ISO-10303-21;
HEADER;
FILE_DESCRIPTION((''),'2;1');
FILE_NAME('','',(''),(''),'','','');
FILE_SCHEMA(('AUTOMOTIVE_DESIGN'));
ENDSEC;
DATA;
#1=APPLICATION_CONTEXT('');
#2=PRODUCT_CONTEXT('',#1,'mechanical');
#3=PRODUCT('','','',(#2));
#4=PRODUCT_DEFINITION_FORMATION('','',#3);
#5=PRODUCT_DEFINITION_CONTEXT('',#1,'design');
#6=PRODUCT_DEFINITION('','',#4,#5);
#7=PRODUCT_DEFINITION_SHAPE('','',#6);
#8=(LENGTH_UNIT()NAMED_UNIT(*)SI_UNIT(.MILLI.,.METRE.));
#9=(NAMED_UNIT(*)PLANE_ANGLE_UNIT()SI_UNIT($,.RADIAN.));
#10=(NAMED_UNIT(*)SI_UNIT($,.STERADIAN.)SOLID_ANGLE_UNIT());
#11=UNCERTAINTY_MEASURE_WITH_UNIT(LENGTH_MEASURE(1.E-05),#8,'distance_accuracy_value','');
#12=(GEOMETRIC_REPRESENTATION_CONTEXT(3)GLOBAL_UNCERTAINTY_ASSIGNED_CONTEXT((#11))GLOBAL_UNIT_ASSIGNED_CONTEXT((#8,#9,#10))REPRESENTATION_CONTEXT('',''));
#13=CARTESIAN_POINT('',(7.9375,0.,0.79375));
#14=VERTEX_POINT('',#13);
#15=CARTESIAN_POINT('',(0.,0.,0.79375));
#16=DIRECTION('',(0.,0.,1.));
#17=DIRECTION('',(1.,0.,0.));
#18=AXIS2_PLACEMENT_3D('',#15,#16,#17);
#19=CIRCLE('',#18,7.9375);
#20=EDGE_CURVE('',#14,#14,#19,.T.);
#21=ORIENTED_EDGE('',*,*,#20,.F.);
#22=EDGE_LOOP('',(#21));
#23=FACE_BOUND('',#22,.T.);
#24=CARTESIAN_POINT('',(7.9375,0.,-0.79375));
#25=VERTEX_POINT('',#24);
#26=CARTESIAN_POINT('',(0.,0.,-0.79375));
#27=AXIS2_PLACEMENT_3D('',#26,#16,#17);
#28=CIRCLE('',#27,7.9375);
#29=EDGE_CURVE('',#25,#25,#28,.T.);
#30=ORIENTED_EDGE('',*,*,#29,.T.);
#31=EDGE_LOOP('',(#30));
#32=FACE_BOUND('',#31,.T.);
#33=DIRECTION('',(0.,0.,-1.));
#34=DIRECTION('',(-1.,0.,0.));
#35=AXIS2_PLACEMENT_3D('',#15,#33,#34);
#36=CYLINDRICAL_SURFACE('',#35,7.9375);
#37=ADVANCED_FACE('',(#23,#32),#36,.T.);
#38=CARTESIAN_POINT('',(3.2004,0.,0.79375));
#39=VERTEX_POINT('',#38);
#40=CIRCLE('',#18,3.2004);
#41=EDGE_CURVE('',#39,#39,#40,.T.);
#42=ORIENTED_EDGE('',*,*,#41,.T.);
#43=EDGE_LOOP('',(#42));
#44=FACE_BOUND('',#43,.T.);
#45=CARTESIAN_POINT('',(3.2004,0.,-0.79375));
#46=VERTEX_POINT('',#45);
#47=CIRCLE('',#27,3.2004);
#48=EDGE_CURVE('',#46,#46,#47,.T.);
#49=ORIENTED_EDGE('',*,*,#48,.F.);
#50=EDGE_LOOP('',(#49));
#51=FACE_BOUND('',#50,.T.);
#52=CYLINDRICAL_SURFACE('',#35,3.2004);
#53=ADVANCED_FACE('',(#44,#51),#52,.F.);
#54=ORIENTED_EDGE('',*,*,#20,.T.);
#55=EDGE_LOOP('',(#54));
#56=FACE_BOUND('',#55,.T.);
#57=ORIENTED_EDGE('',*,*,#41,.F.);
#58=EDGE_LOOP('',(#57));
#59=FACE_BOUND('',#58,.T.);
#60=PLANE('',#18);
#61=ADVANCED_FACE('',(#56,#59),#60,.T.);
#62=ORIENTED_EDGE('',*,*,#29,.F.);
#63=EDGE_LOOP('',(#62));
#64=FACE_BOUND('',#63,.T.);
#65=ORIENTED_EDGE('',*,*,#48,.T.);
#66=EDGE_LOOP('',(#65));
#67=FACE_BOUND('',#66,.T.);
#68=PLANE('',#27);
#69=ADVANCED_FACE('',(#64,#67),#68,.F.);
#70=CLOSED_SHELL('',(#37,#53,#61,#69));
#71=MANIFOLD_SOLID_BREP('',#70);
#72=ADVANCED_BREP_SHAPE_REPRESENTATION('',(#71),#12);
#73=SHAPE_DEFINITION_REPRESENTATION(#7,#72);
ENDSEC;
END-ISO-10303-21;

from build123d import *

# Parameters (mm, degrees)
SKETCH1_R      = 7.9375
SKETCH1_R_2    = 3.2004
EXTRUDE1_DEPTH = 0.79375


with BuildPart() as part:
    # Sketch1 → Extrude1 (new body, symmetric)
    with BuildSketch(Plane.XY):
        Circle(SKETCH1_R)
        Circle(SKETCH1_R_2, mode=Mode.SUBTRACT)
    extrude(amount=EXTRUDE1_DEPTH, both=True)


solid = part.part
